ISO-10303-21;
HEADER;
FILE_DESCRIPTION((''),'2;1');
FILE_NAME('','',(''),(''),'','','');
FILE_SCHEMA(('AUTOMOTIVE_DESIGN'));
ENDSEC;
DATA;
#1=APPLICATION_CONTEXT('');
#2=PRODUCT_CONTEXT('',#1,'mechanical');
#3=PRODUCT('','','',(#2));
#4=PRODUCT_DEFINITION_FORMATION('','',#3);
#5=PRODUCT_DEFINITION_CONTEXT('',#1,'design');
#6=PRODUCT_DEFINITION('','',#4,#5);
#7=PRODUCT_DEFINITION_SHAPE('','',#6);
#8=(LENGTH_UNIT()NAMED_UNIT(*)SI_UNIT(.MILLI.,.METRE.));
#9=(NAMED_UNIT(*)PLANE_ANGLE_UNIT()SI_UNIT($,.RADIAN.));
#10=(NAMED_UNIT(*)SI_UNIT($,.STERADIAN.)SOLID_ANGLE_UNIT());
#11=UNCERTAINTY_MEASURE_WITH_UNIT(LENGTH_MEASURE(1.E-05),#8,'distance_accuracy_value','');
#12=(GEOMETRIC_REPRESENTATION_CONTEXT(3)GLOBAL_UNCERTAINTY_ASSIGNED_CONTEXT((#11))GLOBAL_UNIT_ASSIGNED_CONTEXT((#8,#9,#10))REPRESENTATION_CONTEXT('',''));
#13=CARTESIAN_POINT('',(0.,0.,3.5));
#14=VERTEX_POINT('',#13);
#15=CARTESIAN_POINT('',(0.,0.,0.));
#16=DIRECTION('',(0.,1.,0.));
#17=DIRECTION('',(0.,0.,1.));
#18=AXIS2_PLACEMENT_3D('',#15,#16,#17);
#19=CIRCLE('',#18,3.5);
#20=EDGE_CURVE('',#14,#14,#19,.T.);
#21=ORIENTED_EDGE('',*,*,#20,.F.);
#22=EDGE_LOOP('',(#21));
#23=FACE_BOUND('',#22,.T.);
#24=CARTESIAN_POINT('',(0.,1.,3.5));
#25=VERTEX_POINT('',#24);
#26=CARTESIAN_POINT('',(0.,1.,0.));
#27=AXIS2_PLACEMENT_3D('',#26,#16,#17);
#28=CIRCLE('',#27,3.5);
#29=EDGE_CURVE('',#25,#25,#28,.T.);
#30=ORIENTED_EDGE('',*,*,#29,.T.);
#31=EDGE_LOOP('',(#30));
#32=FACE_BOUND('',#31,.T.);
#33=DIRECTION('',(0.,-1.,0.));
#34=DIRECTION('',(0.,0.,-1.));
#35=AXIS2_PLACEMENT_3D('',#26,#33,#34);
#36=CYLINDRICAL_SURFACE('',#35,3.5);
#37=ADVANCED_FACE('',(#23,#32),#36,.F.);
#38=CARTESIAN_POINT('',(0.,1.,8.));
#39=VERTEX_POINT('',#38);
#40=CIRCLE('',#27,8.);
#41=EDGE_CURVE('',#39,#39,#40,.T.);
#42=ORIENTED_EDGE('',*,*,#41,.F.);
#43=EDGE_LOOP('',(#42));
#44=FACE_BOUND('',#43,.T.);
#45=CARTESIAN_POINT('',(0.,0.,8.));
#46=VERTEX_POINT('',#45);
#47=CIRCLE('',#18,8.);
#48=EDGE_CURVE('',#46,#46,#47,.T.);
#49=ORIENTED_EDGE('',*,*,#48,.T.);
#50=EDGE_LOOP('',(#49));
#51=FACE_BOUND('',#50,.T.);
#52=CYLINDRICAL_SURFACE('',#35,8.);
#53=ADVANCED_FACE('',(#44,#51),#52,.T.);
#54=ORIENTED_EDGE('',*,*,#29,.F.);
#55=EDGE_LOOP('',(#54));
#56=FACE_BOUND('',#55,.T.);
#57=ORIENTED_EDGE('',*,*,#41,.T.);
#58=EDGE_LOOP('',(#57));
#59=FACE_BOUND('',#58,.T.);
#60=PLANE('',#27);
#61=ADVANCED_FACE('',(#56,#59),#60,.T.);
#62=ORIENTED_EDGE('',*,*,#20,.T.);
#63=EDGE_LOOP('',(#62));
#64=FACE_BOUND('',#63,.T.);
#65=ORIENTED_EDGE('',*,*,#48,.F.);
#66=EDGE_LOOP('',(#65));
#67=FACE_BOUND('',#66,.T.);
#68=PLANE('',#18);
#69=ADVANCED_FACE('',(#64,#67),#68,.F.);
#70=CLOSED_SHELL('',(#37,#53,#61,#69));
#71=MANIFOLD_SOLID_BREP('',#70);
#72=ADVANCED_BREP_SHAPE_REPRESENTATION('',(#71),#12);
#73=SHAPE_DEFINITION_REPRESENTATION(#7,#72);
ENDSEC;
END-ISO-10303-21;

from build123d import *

# Parameters (mm, degrees)
SKETCH1_R           = 8
SKETCH1_R_2         = 3.5
BOSS_EXTRUDE1_DEPTH = 1


with BuildPart() as part:
    # Sketch1 → Boss-Extrude1 (new body)
    with BuildSketch(Plane(origin=(0, 0, 0), x_dir=(1, 0, 0), z_dir=(0, 1, 0))):
        with Locations(Location((0, 0, 0), (0, 0, 270))):
            Circle(SKETCH1_R)
        with Locations(Location((0, 0, 0), (0, 0, 270))):
            Circle(SKETCH1_R_2, mode=Mode.SUBTRACT)
    extrude(amount=BOSS_EXTRUDE1_DEPTH)


solid = part.part
